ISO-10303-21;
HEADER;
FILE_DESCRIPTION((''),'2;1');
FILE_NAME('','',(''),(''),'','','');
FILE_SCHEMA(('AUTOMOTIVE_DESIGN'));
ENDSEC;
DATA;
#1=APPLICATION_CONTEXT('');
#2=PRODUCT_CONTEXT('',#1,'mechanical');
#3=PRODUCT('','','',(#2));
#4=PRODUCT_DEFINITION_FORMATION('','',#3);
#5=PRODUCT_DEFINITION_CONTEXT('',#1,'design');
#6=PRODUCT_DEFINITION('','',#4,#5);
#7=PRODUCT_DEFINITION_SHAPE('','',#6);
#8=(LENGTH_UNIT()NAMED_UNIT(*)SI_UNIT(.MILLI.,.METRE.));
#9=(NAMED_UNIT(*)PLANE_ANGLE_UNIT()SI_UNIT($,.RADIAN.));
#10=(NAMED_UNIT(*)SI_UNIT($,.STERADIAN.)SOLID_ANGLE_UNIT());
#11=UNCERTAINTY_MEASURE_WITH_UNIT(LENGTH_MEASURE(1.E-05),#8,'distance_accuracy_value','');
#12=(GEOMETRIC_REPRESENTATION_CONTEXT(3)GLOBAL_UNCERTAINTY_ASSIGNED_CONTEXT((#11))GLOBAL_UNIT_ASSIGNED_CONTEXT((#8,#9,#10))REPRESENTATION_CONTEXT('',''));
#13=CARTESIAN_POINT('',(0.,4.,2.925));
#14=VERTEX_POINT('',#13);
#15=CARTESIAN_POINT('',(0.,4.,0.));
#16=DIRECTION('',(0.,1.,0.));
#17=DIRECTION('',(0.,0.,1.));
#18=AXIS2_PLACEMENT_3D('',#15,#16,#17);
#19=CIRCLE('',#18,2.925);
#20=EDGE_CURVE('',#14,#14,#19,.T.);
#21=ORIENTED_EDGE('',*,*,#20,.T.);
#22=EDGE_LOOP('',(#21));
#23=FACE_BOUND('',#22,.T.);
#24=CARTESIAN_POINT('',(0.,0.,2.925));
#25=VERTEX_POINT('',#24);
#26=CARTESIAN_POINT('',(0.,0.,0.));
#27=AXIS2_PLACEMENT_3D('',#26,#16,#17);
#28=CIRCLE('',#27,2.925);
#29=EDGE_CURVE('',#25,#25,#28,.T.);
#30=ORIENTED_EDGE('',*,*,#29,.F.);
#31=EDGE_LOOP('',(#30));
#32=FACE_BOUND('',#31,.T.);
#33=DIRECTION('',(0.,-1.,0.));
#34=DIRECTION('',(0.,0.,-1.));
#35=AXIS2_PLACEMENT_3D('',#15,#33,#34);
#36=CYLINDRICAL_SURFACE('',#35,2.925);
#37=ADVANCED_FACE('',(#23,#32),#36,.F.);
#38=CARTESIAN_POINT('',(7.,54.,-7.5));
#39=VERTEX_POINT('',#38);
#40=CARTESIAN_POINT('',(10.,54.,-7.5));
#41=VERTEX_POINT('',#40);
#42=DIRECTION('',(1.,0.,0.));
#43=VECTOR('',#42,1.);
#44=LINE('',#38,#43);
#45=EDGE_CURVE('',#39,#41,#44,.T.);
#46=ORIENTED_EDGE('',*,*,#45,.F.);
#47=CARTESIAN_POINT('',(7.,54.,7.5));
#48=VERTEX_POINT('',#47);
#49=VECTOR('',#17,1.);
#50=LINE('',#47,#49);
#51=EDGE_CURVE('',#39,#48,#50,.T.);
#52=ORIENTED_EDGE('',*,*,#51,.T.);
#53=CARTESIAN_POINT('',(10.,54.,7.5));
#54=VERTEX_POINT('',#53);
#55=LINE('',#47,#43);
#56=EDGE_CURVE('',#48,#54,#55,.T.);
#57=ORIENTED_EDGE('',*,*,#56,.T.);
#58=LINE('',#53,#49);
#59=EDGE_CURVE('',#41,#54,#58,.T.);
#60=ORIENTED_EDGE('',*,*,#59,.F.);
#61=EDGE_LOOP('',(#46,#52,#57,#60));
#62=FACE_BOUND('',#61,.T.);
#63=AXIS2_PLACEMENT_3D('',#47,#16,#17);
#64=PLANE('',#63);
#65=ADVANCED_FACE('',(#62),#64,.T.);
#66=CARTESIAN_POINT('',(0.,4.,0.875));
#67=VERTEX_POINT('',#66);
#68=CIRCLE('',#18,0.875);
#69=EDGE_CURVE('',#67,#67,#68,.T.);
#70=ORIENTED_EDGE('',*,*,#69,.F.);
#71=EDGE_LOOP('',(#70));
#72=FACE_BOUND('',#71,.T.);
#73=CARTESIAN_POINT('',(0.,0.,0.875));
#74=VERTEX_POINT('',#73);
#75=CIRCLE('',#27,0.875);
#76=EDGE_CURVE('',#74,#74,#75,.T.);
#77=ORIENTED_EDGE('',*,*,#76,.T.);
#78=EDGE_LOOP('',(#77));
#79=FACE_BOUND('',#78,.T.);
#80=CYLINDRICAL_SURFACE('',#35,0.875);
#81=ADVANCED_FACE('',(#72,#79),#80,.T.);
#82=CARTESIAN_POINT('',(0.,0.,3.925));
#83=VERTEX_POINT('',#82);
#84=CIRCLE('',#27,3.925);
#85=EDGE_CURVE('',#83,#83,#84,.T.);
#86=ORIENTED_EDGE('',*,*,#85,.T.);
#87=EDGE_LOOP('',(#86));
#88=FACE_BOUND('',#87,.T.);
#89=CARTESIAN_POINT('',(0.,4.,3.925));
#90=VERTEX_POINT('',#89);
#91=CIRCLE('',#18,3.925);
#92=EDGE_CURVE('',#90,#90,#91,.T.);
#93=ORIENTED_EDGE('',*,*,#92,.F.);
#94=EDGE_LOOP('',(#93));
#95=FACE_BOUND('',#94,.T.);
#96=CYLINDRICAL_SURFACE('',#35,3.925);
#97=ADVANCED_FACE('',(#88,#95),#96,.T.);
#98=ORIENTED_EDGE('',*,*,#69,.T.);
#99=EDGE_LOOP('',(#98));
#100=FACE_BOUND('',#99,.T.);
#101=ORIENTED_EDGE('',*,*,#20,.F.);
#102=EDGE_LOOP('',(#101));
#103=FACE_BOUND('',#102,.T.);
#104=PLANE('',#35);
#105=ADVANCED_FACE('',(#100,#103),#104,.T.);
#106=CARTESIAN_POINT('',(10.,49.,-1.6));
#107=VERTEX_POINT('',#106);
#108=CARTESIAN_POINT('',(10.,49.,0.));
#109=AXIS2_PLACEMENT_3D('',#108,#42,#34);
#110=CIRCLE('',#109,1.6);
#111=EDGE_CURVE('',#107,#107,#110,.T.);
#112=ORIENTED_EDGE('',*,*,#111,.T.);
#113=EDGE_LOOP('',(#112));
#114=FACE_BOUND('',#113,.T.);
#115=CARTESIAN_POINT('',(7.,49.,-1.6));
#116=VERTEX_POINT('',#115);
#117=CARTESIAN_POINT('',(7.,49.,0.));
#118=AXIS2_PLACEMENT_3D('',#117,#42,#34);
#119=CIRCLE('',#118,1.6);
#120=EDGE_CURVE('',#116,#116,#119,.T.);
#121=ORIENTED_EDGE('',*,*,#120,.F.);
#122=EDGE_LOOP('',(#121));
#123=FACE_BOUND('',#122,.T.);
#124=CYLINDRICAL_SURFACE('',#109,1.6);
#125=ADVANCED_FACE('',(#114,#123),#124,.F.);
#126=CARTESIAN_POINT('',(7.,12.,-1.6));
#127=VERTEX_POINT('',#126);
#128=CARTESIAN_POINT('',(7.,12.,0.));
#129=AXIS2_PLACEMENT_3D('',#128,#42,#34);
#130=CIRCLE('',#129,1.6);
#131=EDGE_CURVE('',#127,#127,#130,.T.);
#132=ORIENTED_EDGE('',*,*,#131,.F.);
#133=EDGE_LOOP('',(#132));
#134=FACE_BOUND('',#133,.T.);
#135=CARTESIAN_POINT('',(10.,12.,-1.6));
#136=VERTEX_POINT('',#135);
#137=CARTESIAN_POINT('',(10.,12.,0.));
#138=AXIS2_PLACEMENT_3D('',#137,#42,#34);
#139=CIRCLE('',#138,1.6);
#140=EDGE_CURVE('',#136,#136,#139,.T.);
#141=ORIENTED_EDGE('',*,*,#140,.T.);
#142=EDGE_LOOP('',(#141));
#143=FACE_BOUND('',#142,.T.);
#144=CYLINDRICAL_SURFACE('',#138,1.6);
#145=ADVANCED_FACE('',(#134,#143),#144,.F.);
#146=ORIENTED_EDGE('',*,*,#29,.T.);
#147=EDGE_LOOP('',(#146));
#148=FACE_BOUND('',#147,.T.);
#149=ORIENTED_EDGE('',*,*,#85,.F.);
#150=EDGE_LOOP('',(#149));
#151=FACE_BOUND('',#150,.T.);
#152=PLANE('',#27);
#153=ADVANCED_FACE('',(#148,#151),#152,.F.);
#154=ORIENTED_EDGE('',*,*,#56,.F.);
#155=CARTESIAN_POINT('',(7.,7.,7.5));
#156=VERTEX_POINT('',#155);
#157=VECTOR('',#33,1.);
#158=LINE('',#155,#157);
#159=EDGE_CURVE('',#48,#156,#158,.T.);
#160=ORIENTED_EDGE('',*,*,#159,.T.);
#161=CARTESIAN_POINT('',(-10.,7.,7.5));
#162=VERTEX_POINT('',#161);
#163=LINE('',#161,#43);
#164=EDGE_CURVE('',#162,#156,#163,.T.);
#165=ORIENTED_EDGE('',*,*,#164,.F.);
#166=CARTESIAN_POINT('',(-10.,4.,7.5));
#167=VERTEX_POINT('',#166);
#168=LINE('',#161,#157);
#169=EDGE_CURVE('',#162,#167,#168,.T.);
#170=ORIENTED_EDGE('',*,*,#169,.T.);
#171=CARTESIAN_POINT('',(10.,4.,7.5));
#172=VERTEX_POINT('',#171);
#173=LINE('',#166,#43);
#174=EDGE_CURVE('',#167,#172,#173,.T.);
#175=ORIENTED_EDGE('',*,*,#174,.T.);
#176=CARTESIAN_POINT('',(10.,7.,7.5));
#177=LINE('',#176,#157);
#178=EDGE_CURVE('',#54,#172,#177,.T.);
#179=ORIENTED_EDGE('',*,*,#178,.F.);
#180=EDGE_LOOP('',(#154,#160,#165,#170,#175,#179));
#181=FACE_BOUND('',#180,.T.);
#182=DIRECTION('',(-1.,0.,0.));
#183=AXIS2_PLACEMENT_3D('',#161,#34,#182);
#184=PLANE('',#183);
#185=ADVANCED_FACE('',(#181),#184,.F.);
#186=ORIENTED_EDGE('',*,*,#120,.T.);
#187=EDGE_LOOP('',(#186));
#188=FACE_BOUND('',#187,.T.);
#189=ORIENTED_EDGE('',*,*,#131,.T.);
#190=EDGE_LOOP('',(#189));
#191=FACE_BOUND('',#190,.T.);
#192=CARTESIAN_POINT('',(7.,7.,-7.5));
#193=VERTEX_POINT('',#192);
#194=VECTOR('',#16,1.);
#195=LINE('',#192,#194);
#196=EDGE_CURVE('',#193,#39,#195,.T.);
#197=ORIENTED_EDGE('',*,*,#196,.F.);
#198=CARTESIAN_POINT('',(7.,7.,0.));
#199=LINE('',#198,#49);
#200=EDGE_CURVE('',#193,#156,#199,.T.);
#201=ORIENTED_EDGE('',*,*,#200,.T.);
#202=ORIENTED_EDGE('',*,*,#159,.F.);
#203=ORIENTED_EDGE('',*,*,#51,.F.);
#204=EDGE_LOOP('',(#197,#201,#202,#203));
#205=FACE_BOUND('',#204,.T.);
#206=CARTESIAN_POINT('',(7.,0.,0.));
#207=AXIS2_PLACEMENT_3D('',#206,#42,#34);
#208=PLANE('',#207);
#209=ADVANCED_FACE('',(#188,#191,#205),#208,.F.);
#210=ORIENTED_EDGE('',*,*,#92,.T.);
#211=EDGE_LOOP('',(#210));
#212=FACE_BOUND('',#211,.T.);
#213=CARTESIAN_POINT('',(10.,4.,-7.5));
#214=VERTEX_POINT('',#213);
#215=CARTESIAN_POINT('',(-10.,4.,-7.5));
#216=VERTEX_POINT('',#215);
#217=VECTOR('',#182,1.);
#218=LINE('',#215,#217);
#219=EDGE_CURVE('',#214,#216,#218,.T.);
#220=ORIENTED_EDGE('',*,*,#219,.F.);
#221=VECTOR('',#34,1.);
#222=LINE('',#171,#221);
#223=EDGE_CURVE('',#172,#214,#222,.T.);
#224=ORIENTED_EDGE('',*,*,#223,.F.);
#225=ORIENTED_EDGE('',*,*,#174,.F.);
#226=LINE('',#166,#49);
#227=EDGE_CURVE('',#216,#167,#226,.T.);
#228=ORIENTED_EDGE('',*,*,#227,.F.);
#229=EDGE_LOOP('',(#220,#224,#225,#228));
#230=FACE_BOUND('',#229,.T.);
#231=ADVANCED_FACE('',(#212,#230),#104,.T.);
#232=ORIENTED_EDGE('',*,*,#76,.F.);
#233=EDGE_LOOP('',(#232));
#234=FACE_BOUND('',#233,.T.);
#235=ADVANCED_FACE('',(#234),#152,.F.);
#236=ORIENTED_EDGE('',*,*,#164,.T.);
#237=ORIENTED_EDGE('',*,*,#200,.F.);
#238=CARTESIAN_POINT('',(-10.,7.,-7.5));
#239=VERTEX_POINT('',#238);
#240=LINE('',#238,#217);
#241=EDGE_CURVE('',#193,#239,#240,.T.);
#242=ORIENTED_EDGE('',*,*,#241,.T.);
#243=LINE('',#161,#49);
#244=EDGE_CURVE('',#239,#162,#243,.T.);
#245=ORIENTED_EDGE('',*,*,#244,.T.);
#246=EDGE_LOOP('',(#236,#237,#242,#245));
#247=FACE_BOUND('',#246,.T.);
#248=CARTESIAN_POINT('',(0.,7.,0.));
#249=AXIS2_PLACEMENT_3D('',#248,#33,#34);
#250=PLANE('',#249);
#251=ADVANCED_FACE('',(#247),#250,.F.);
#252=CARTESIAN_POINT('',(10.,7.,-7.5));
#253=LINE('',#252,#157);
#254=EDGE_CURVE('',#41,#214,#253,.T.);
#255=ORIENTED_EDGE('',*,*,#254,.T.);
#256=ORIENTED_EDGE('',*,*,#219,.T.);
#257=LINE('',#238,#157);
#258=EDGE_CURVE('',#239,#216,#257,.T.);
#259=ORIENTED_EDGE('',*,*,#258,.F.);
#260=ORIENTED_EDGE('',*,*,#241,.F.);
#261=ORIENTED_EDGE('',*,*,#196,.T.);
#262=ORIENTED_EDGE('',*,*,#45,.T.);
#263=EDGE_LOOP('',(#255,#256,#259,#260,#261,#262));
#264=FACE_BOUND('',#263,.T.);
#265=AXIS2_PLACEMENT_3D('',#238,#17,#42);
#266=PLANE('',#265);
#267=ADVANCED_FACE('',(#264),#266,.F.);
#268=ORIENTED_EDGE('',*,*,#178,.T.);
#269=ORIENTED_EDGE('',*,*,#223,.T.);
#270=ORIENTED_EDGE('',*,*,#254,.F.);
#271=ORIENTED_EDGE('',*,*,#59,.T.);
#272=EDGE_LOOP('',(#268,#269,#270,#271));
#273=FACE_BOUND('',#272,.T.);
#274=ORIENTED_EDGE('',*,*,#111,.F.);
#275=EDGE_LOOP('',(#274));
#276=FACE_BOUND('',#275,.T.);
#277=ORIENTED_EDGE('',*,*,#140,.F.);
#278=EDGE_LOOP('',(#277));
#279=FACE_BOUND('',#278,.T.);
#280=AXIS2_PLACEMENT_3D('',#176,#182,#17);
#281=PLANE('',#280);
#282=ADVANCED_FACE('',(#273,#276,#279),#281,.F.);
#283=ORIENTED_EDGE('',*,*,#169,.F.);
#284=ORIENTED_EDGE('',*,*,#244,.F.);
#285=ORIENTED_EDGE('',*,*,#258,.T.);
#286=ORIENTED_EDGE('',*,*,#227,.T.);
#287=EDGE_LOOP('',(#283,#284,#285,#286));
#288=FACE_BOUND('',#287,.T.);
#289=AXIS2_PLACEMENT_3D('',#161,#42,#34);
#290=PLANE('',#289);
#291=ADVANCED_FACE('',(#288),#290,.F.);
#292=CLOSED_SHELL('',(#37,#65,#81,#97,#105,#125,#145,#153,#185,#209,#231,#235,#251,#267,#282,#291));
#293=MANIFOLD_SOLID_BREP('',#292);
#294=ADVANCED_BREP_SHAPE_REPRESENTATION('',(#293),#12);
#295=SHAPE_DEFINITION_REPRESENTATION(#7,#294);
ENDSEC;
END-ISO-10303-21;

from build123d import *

# Parameters (mm, degrees)
SKETCH1_R                      = 3.925
SKETCH1_R_2                    = 2.924999992
BOSS_EXTRUDE1_DEPTH            = 4
SKETCH1_R_3                    = 0.875
BOSS_EXTRUDE1_2_DEPTH          = 4
SKETCH2_W                      = 20
SKETCH2_H                      = 15
BOSS_EXTRUDE2_DEPTH            = 3
BOSS_EXTRUDE3_START            = 10
SKETCH3_W                      = 15
SKETCH3_H                      = 50
BOSS_EXTRUDE3_DEPTH            = 3
F_3_2_3_2_DIAMETER_HOLE1_D     = 3.2
F_3_2_3_2_DIAMETER_HOLE1_DEPTH = 4
F_3_2_3_2_DIAMETER_HOLE1_TIP   = 0.96137699


with BuildPart() as part:
    # Sketch1 → Boss-Extrude1 (new body)
    with BuildSketch(Plane(origin=(0, 0, 0), x_dir=(1, 0, 0), z_dir=(0, 1, 0))):
        with Locations(Location((0, 0, 0), (0, 0, 270))):
            Circle(SKETCH1_R)
        with Locations(Location((0, 0, 0), (0, 0, 270))):
            Circle(SKETCH1_R_2, mode=Mode.SUBTRACT)
    extrude(amount=BOSS_EXTRUDE1_DEPTH)



with BuildPart() as body_2:
    # Sketch1 → Boss-Extrude1 2 (new body)
    with BuildSketch(Plane(origin=(0, 0, 0), x_dir=(1, 0, 0), z_dir=(0, 1, 0))):
        with Locations(Location((0, 0, 0), (0, 0, 270))):
            Circle(SKETCH1_R_3)
    extrude(amount=BOSS_EXTRUDE1_2_DEPTH)


with BuildPart() as part_1:
    add(part.part)

    add(body_2.part)  # Boss-Extrude2 merges body 2
    # Sketch2 → Boss-Extrude2 (add)
    with BuildSketch(Plane(origin=(0, 4, 0), x_dir=(1, 0, 0), z_dir=(0, 1, 0))):
        Rectangle(SKETCH2_W, SKETCH2_H)
    extrude(amount=BOSS_EXTRUDE2_DEPTH)

    # Sketch3 → Boss-Extrude3 (add)
    with BuildSketch(Plane(origin=(0, 0, 0), x_dir=(0, 0, -1), z_dir=(1, 0, 0)).offset(BOSS_EXTRUDE3_START)):
        with Locations((0, 29)):
            Rectangle(SKETCH3_W, SKETCH3_H)
    extrude(amount=-BOSS_EXTRUDE3_DEPTH)

    # Ø3.2 (3.2) Diameter Hole1
    with Locations(Plane(origin=(10, 0, 0), x_dir=(0, 0, -1), z_dir=(1, 0, 0))):
        with Locations((0, 12), (0, 49)):
            Hole(F_3_2_3_2_DIAMETER_HOLE1_D / 2, depth=F_3_2_3_2_DIAMETER_HOLE1_DEPTH)
            with Locations((0, 0, -(F_3_2_3_2_DIAMETER_HOLE1_DEPTH + F_3_2_3_2_DIAMETER_HOLE1_TIP / 2))):  # 118° drill point
                Cone(0, F_3_2_3_2_DIAMETER_HOLE1_D / 2, F_3_2_3_2_DIAMETER_HOLE1_TIP, mode=Mode.SUBTRACT)


solid = part_1.part
